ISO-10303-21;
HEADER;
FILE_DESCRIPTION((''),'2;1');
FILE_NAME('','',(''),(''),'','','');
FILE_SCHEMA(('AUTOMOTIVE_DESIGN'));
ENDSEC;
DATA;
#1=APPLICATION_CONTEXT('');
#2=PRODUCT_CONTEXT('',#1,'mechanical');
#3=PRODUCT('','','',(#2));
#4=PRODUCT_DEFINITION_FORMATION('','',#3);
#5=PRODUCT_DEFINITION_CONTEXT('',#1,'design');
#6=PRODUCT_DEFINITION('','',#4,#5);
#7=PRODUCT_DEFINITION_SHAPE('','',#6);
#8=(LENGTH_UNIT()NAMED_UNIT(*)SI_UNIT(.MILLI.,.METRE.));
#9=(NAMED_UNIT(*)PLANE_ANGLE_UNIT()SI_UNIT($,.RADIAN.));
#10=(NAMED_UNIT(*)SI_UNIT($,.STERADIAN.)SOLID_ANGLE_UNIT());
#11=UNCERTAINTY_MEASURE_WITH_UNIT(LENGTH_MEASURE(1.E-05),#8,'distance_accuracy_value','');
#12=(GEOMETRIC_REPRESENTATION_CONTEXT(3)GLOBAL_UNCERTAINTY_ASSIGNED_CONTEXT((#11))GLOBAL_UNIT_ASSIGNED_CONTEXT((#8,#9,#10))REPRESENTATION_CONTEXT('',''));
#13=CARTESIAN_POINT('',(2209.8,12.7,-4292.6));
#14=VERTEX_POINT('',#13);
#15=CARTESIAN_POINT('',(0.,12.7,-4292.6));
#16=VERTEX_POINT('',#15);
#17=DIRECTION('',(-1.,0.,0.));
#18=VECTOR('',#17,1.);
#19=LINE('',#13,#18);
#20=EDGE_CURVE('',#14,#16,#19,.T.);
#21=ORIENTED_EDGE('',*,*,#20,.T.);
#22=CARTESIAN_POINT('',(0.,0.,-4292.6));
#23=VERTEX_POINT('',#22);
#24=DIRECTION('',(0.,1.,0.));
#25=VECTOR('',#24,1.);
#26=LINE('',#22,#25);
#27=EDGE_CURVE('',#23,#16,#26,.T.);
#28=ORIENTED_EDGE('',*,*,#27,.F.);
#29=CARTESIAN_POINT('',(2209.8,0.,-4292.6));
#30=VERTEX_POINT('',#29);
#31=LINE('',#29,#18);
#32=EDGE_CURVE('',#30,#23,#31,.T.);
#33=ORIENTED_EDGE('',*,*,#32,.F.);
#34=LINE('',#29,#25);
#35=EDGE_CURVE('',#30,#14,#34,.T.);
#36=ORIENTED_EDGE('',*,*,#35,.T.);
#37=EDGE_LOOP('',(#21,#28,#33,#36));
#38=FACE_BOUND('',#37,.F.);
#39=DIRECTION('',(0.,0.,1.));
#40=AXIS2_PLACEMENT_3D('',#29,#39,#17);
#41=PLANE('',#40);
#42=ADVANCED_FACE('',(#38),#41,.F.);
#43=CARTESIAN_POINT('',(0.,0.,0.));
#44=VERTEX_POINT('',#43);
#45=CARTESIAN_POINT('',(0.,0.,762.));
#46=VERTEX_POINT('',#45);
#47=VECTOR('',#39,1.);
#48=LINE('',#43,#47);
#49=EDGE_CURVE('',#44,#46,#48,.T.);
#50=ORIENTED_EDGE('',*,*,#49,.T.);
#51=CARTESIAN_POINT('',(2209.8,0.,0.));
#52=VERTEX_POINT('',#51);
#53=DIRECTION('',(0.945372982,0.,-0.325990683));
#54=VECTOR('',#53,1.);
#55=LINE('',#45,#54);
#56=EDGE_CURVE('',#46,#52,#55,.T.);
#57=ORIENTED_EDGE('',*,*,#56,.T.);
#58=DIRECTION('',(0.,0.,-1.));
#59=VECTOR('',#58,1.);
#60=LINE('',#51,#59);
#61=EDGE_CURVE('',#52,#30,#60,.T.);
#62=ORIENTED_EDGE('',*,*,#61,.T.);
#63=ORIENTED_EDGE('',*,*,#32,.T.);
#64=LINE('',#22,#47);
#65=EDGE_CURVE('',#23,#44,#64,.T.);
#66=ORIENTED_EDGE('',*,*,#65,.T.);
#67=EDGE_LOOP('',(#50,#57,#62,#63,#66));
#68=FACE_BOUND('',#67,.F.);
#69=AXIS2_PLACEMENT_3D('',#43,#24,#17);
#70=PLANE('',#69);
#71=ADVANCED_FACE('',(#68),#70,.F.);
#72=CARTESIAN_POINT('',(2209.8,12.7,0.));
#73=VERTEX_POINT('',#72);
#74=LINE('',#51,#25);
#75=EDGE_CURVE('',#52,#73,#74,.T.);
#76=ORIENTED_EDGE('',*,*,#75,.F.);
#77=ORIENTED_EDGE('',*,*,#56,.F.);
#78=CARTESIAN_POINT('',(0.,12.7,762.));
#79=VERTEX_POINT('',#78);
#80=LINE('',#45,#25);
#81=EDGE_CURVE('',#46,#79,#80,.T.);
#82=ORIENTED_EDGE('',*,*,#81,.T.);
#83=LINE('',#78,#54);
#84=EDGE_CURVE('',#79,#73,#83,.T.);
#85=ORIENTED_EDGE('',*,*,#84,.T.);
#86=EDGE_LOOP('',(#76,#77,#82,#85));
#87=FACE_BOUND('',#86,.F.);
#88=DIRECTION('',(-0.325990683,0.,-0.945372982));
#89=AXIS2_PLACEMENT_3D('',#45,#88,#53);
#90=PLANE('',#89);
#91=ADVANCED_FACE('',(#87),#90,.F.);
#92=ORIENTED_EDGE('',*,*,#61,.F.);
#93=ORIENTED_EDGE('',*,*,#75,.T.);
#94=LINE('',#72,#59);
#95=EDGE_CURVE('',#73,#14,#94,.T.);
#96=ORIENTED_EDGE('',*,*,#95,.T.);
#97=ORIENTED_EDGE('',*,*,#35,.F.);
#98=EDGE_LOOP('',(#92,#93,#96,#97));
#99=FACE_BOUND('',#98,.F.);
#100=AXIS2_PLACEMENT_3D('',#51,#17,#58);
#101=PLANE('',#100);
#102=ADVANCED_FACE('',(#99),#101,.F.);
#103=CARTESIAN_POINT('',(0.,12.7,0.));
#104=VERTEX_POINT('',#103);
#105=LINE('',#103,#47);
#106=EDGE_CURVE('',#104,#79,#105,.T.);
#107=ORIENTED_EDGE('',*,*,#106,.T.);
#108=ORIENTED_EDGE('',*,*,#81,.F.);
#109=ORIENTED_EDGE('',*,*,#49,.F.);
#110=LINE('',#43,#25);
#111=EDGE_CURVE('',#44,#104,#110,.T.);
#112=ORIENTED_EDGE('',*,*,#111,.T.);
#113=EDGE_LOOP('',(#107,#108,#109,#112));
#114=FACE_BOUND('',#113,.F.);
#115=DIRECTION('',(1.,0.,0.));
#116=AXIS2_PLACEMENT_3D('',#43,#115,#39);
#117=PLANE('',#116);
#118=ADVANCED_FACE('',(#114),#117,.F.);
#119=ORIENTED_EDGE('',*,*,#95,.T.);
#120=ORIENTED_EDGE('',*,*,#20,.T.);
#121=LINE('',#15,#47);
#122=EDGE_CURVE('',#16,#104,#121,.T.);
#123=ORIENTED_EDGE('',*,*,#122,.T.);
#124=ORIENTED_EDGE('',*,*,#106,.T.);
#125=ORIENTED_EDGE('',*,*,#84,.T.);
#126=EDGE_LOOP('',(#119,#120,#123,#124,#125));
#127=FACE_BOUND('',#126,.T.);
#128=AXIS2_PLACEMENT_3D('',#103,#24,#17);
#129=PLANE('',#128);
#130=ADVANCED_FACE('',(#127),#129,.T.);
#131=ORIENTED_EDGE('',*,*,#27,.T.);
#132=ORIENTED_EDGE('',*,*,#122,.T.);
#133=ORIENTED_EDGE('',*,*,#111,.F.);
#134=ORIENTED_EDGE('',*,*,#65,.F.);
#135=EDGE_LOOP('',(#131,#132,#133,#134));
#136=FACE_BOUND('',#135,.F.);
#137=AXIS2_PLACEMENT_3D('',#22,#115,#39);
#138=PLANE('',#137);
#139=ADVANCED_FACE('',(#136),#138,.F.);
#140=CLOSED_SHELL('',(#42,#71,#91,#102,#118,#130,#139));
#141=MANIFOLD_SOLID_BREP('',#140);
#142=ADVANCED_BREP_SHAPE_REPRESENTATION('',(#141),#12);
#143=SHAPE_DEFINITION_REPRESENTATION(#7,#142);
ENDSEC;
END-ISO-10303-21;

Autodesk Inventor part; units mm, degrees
ref_plane "YZ Plane" through (0, 0, 0) normal (1, 0, 0) x (0, 1, 0)
ref_plane "XZ Plane" through (0, 0, 0) normal (0, 1, 0) x (-1, 0, 0)
ref_plane "XY Plane" through (0, 0, 0) normal (0, 0, 1) x (1, 0, 0)
sketch "Sketch1" plane through (0, 0, 0) normal (0, 1, 0) x (-1, 0, 0)
  line L0 (-2209.8, 0) -> (-2209.8, -4292.6)
  line L1 (-2209.8, -4292.6) -> (0, -4292.6)
  line L2 (0, -4292.6) -> (0, 0)
  line L3 (0, 0) -> (0, 762)
  line L4 (0, 762) -> (-2209.8, 0)
  dimension "d0" = 2209.8
  dimension "d1" = 4292.6
  dimension "d4" = 762
extrude "Extrusion1" add sketch "Sketch1" along normal blind 12.7
properties part number "roof2" material "Wood (Walnut)"
